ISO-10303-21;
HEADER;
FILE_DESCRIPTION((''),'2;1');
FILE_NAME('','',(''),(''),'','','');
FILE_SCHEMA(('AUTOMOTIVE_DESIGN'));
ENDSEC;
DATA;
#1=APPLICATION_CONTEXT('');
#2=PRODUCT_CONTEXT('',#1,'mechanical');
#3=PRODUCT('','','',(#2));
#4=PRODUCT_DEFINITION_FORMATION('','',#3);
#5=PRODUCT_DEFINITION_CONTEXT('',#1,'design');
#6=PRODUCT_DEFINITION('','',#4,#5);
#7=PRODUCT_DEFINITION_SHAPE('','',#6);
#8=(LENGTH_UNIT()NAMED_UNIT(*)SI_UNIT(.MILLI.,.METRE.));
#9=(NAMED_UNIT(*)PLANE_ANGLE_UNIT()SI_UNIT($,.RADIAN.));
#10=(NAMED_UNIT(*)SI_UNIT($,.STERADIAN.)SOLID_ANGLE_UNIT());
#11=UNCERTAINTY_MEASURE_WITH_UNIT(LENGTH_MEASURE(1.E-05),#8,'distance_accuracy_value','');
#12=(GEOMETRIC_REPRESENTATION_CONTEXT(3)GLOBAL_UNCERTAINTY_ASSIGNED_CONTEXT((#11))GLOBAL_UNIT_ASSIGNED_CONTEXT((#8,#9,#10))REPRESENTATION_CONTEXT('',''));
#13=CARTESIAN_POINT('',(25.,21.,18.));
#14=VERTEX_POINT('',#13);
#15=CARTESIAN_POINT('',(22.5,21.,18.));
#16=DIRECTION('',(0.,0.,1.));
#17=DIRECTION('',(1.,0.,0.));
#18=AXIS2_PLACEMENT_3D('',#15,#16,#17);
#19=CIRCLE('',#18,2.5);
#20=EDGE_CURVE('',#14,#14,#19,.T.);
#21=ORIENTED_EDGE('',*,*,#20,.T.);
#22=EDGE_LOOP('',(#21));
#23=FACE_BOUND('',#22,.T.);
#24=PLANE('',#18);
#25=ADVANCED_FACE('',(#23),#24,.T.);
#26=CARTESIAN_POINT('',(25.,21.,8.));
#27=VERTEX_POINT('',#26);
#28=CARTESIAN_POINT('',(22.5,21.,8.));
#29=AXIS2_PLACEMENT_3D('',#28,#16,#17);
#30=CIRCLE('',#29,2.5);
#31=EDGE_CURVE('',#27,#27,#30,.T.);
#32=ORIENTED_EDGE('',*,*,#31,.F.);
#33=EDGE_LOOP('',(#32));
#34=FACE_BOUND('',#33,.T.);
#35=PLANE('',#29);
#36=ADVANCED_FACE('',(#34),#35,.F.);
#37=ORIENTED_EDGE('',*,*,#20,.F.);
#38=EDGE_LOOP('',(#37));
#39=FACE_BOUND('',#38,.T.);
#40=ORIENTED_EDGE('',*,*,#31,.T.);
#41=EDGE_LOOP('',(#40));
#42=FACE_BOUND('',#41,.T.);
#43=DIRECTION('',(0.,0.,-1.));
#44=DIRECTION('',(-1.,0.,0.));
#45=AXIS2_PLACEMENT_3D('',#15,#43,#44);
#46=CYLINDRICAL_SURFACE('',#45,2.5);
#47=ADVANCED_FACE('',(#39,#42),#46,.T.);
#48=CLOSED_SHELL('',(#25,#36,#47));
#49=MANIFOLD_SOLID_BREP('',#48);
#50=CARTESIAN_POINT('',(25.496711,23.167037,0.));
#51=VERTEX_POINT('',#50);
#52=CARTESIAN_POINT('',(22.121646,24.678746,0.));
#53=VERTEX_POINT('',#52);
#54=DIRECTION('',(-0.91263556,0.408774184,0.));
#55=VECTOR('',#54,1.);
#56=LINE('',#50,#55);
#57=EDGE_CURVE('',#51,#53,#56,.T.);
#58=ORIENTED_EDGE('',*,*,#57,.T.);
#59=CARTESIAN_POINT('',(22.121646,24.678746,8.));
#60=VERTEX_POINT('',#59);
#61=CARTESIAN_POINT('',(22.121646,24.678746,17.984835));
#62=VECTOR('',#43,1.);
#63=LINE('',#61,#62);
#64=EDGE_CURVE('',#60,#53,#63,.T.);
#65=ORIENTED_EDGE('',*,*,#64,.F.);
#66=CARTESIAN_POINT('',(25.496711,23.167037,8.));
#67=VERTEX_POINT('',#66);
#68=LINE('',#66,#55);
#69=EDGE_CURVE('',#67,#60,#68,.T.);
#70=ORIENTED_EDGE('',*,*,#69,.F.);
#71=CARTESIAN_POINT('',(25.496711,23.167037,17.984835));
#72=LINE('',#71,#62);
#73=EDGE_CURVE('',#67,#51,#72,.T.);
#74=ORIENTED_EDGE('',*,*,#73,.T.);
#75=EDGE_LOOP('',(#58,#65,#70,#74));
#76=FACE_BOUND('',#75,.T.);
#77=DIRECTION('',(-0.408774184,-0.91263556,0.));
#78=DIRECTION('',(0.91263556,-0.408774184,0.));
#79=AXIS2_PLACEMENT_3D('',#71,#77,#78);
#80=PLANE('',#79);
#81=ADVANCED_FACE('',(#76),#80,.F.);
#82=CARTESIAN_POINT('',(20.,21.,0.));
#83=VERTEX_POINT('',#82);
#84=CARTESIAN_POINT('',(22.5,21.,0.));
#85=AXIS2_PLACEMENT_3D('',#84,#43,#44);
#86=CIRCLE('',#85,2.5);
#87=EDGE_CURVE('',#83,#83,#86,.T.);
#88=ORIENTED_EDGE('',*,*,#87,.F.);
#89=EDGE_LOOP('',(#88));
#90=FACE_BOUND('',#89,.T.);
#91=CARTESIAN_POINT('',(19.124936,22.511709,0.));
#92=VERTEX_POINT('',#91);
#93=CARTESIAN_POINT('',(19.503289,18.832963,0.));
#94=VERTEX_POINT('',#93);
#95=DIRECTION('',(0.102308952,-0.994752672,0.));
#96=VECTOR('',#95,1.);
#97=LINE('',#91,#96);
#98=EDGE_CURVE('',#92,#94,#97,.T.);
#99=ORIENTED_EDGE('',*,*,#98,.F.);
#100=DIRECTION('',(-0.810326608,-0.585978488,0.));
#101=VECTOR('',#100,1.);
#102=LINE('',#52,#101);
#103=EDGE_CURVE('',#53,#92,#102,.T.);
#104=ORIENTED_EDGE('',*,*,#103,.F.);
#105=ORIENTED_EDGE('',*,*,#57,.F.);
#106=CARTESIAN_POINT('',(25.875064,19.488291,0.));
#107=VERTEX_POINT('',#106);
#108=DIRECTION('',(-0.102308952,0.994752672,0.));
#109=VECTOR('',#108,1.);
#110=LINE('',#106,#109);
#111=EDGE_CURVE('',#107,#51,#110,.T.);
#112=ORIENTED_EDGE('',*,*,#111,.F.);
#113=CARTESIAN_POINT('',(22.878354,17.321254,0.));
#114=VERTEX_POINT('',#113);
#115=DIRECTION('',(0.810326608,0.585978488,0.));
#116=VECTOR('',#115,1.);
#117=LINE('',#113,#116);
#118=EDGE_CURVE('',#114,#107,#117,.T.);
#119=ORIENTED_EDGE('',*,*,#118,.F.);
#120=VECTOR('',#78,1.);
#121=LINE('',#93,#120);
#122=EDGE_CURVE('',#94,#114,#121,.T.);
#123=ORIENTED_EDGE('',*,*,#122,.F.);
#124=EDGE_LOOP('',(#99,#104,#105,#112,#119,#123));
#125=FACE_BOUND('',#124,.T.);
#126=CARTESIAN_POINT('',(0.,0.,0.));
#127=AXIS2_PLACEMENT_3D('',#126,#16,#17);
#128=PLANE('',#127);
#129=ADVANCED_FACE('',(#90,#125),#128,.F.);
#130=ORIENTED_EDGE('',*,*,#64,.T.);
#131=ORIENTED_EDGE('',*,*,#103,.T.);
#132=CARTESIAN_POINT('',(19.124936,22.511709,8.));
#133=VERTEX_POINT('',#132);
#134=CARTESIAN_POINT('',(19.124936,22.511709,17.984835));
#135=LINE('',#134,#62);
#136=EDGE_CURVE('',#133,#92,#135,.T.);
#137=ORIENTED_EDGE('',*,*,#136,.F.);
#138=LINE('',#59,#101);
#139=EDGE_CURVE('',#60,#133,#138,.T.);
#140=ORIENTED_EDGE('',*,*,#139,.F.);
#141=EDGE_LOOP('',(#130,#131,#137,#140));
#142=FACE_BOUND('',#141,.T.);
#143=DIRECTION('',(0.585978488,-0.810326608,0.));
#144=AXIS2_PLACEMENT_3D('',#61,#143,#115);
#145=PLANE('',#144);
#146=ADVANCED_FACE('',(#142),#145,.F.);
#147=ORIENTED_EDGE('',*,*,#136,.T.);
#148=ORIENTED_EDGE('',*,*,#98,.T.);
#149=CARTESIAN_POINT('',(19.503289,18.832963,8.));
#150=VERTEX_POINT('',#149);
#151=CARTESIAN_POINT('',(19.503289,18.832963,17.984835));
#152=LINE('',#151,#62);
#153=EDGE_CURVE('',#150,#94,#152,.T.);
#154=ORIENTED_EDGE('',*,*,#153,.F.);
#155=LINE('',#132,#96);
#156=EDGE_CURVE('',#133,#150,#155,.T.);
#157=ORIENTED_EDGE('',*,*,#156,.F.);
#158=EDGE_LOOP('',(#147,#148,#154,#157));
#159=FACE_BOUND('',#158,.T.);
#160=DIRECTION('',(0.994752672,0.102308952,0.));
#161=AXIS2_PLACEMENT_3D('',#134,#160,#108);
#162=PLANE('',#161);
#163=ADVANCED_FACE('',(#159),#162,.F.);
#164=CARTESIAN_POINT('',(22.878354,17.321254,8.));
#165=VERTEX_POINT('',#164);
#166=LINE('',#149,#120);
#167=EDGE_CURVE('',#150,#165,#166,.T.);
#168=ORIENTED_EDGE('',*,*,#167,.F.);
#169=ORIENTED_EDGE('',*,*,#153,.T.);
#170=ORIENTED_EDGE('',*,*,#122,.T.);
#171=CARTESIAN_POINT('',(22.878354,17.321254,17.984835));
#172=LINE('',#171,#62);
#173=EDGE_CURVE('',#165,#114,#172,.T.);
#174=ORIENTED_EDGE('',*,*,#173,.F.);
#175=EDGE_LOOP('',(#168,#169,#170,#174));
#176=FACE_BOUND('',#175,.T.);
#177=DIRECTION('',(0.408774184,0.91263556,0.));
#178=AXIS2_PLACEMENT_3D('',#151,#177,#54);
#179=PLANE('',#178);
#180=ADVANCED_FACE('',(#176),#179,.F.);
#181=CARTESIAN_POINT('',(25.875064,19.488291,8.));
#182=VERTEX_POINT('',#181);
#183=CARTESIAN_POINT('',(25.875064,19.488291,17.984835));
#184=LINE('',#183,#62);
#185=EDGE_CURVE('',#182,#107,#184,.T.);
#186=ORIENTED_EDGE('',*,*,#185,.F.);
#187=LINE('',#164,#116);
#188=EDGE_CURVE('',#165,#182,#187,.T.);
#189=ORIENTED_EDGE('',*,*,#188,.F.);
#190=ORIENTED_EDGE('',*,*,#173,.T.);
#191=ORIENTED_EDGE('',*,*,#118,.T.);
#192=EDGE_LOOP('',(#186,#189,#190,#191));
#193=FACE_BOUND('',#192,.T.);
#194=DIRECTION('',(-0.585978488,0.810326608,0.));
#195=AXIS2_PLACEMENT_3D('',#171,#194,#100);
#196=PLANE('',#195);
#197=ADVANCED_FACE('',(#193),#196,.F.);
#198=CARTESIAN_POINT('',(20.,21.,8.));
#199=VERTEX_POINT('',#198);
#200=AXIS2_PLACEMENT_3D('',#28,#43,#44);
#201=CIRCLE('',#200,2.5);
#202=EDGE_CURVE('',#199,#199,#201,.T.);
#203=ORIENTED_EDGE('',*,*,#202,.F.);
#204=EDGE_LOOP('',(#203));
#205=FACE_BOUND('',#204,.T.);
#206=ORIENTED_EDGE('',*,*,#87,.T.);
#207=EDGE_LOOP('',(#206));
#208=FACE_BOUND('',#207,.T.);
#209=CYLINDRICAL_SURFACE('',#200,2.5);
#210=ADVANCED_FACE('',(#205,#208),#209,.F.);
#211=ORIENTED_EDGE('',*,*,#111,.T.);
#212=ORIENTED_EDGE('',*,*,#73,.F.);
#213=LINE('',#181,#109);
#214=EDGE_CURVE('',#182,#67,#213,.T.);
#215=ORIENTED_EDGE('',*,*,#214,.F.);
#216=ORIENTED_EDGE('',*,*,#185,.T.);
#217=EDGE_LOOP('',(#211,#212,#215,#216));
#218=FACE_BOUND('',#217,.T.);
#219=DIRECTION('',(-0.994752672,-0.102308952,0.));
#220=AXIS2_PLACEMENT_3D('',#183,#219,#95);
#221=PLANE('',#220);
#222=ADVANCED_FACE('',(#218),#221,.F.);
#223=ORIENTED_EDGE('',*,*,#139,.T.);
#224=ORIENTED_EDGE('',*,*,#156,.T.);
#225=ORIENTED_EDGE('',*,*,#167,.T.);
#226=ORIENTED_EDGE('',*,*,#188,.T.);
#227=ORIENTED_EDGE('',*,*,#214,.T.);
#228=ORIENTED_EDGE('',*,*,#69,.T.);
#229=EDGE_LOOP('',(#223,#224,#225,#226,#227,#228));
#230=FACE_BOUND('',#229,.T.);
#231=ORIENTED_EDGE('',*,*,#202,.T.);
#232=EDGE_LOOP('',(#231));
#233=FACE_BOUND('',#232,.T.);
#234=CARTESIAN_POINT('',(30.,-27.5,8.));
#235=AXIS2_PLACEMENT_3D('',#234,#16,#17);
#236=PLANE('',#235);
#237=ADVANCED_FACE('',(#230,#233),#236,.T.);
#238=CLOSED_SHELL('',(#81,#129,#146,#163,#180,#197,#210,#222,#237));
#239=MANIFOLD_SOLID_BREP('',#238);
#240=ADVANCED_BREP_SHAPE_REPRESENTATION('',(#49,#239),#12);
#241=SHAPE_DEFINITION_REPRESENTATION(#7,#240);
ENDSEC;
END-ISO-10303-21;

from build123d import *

# Parameters (mm, degrees)
EXTRUDE_1_DEPTH     = 8
SKETCH_4_R          = 2.5
CUT_EXTRUDE_3_DEPTH = 8
SKETCH_5_R          = 2.5
EXTRUDE_2_DEPTH     = 10


with BuildPart() as part:
    # 草图1 → 凸台-拉伸1 (new body)
    with BuildSketch(Plane.XY):
        Polygon((22.121646003, 24.678746013), (19.1249355, 22.511708833), (19.503289497, 18.83296282), (22.878353997, 17.321253987), (25.8750645, 19.488291167), (25.496710503, 23.16703718), align=None)
    extrude(amount=EXTRUDE_1_DEPTH)

    # 草图4 → 切除-拉伸3 (cut)
    with BuildSketch(Plane(origin=(0, 0, 0), x_dir=(-1, 0, 0), z_dir=(0, 0, -1))):
        with Locations((-22.5, 21)):
            Circle(SKETCH_4_R)
    extrude(amount=-CUT_EXTRUDE_3_DEPTH, mode=Mode.SUBTRACT)


with BuildPart() as body_2:
    # 草图5 → 凸台-拉伸2 (new body)
    with BuildSketch(Plane.XY.offset(8)):
        with Locations((22.5, 21)):
            Circle(SKETCH_5_R)
    extrude(amount=EXTRUDE_2_DEPTH)


solid = Compound([part.part, body_2.part])
